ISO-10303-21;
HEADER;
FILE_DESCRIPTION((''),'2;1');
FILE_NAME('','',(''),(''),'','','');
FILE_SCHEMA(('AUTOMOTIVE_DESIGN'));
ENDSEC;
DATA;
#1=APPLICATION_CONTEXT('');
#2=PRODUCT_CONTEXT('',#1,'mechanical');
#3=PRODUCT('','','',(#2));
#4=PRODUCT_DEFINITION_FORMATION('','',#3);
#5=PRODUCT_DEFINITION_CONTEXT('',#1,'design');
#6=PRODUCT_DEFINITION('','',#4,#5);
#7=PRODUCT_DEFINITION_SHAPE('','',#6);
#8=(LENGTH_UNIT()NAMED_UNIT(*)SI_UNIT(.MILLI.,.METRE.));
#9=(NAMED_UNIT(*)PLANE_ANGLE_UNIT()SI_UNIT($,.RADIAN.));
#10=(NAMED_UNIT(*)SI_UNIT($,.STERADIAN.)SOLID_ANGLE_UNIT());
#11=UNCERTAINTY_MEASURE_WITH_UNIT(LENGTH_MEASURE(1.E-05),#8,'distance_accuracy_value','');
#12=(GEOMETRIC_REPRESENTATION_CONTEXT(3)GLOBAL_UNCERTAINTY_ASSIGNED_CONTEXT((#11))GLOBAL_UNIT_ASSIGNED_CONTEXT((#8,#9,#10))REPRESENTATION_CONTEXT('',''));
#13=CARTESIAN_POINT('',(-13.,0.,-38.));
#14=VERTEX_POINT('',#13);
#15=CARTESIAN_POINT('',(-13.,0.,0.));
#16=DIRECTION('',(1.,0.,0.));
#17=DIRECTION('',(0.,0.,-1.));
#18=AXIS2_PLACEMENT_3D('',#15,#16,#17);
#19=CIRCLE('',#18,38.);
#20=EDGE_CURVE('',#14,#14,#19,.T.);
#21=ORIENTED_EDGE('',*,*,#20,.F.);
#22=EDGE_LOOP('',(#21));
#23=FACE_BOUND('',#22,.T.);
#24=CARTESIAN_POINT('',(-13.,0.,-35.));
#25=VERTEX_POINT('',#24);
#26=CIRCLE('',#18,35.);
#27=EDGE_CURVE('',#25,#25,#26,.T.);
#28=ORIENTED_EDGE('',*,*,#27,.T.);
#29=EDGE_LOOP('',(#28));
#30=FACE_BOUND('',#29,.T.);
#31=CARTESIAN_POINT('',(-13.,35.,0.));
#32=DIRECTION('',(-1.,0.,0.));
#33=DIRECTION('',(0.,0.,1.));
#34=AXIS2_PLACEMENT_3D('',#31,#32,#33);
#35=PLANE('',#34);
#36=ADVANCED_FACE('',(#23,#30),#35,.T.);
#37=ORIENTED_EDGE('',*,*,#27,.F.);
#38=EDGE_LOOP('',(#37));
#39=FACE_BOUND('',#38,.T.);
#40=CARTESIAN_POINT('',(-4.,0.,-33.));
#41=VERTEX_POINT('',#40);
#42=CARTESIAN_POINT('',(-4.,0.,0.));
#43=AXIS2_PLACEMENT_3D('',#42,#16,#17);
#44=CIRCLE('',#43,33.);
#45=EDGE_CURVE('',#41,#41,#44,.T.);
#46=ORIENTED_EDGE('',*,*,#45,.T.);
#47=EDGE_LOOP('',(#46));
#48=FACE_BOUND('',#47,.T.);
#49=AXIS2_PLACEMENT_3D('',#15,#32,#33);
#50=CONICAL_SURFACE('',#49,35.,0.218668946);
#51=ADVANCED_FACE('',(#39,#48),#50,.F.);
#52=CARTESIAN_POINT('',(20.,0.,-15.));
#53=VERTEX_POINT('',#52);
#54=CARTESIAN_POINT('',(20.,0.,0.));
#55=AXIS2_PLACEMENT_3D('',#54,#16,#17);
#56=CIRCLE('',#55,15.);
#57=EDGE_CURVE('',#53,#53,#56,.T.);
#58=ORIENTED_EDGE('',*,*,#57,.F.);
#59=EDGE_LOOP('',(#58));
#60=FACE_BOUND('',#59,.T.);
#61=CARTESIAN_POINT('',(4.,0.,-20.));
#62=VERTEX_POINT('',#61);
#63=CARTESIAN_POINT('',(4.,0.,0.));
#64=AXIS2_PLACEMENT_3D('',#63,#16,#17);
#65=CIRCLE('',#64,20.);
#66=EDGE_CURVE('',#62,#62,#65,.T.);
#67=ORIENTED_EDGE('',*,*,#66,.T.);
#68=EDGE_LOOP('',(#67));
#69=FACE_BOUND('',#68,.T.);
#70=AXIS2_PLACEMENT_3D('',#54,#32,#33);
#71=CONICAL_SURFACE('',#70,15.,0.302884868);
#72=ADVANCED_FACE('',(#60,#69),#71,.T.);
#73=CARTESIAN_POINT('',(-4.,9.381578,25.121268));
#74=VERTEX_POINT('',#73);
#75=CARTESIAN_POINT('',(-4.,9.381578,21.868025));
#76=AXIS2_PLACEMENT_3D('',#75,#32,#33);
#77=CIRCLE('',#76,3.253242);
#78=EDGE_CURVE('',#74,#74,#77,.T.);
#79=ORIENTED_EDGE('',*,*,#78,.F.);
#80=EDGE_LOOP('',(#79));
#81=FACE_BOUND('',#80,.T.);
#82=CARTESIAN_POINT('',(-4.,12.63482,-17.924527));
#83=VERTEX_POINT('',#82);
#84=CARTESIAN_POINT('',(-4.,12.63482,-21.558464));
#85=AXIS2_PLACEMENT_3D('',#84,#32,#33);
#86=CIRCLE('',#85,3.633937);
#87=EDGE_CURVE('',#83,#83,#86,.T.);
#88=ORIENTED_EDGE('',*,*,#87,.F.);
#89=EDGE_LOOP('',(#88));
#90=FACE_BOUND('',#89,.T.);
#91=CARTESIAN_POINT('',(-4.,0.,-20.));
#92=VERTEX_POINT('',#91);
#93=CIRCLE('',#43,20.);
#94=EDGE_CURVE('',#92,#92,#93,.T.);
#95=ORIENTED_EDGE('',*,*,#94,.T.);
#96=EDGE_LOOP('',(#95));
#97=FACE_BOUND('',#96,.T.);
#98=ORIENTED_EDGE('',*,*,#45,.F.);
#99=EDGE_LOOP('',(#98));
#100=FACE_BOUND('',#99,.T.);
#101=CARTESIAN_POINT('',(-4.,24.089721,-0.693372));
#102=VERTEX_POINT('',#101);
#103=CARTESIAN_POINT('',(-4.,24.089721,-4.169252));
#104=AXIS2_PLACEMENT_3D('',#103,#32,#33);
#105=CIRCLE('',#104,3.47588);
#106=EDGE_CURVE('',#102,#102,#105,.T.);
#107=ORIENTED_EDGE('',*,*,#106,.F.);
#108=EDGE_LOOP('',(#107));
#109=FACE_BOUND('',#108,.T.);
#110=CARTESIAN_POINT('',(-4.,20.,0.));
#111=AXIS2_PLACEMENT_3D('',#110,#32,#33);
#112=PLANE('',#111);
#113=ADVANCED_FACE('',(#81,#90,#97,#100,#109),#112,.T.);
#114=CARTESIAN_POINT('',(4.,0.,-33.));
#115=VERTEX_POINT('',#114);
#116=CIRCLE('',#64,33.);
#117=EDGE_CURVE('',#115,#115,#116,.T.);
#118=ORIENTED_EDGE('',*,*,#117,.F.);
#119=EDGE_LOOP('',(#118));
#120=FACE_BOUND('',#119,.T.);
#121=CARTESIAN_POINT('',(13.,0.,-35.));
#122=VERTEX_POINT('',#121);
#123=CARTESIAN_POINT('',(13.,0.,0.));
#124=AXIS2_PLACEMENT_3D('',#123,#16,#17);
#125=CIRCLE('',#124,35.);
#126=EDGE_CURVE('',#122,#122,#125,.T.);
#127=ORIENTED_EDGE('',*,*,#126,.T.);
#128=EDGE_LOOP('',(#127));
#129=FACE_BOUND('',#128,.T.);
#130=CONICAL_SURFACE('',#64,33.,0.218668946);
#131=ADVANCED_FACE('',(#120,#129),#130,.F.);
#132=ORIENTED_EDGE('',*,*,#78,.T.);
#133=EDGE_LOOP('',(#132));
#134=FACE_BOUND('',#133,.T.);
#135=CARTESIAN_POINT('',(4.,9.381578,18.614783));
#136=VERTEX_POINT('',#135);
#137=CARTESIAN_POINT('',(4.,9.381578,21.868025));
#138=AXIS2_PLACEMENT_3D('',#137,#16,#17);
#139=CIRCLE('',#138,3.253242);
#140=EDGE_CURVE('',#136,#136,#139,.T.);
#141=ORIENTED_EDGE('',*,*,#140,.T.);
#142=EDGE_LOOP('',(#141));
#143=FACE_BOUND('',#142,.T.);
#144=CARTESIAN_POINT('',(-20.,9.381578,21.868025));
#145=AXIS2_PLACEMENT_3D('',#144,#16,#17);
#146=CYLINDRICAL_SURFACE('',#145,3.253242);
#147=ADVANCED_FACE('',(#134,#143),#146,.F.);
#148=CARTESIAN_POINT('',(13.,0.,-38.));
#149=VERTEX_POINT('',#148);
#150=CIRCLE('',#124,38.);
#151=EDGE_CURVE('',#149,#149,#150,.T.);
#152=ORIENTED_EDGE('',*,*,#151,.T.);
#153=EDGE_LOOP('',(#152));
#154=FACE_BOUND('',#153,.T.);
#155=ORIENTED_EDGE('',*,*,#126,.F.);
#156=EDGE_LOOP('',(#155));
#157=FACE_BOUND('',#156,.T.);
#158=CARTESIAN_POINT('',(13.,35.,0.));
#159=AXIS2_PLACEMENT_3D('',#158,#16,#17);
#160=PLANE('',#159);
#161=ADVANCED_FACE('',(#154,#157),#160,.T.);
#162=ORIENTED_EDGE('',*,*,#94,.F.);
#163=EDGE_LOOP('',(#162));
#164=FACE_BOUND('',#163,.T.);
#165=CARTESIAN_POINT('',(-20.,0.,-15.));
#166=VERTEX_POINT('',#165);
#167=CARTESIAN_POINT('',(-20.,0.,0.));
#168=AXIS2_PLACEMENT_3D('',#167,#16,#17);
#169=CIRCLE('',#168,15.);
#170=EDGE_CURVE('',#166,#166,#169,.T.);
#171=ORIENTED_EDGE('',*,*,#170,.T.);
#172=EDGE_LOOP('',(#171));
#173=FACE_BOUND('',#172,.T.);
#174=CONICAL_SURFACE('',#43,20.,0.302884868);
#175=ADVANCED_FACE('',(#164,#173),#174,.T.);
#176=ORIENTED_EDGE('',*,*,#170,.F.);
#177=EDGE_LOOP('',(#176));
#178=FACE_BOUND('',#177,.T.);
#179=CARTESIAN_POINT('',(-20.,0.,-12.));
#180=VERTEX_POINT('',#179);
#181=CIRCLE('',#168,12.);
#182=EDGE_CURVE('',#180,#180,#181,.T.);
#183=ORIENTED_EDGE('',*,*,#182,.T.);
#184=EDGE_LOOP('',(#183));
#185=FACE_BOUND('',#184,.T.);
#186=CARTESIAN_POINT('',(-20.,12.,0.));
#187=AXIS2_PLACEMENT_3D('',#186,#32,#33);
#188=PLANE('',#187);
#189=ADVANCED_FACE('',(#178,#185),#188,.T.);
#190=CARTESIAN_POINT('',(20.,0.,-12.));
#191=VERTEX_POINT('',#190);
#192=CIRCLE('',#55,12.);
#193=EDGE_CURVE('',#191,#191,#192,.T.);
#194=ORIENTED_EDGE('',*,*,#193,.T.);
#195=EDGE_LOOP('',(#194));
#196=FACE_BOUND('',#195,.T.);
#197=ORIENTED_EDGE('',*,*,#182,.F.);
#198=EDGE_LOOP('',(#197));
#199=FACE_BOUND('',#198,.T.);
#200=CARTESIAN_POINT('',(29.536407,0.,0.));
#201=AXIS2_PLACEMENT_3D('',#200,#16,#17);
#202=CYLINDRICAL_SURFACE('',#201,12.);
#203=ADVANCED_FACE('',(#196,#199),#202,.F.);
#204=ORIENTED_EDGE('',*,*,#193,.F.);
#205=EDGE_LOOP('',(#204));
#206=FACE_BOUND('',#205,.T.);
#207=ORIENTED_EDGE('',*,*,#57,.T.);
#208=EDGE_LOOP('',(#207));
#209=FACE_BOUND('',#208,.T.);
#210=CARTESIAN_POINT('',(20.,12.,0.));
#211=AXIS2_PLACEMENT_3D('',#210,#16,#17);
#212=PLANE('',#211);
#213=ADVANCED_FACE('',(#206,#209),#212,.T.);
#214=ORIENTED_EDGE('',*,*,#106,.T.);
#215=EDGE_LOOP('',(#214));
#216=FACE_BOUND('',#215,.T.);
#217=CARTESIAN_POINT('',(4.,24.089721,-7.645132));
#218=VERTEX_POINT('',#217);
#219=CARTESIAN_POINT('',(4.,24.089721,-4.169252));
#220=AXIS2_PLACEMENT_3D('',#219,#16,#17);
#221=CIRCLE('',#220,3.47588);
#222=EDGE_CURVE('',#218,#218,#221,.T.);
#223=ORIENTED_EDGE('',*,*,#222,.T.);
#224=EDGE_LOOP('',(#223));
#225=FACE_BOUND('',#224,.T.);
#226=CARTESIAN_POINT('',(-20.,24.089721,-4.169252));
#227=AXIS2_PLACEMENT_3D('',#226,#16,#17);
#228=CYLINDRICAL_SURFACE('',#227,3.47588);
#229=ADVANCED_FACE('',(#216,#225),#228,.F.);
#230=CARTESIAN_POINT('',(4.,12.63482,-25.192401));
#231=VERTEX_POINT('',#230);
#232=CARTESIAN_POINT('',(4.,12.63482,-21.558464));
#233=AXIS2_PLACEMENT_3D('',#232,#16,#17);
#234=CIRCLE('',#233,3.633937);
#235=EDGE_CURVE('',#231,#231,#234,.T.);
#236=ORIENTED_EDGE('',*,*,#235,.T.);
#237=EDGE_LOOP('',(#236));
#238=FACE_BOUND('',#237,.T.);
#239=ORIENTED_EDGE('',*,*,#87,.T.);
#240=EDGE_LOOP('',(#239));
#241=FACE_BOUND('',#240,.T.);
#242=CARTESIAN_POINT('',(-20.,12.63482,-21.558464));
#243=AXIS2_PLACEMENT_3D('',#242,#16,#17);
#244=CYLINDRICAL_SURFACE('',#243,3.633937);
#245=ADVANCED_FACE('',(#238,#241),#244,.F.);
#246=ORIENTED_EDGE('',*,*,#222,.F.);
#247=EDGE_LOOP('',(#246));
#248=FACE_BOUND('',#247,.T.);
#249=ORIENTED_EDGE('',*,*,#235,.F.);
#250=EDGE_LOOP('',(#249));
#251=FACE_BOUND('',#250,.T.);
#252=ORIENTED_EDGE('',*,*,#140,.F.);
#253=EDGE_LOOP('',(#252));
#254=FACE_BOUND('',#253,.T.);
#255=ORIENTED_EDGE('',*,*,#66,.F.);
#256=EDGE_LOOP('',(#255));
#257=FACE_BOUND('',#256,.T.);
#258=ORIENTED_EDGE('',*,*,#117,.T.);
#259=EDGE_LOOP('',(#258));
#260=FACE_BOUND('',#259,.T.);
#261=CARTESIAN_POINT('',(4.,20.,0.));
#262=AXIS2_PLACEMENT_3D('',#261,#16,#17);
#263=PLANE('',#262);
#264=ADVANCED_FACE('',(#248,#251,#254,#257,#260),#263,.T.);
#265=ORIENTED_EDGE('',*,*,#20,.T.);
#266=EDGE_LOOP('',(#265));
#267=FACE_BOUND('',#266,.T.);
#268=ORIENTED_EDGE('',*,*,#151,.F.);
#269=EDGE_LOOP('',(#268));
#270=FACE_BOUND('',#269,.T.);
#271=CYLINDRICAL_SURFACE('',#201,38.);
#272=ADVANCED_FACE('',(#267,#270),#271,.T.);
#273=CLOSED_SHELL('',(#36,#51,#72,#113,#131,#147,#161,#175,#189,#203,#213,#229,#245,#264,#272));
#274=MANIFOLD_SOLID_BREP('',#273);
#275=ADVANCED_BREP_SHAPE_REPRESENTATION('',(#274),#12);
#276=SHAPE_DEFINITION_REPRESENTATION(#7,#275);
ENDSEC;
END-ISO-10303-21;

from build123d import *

# Parameters (mm, degrees)
CUT_EXTRUDE1_DEPTH      = 59.855755878
CUT_EXTRUDE1_DEPTH_BACK = 59.855755878
SKETCH2_R               = 3.253242351
SKETCH2_R_2             = 3.475880092
SKETCH2_R_3             = 3.633937036


with BuildPart() as part:
    # Sketch1 → Revolve2 (revolve)
    with BuildSketch(Plane.XY, mode=Mode.PRIVATE) as revolve2_sk:
        Polygon((20, 12), (20, 15), (4, 20), (4, 33), (13, 35), (13, 38), (-13, 38), (-13, 35), (-4, 33), (-4, 20), (-20, 15), (-20, 12), align=None)
    revolve(revolve2_sk.sketch.rotate(Axis((29.536406987, 0, 0), (-1, 0, 0)), 90), axis=Axis((29.536406987, 0, 0), (-1, 0, 0)))

    # Sketch2 → Cut-Extrude1 (cut, two sides: drawn at the far end of the back side and taken through both)
    with BuildSketch(Plane(origin=(4, 0, 0), x_dir=(0, 0, -1), z_dir=(1, 0, 0)).offset(-CUT_EXTRUDE1_DEPTH_BACK)):
        with Locations((-21.868025182, 9.381578111)):
            Circle(SKETCH2_R)
        with Locations((4.169252075, 24.089721188)):
            Circle(SKETCH2_R_2)
        with Locations((21.558463792, 12.634820462)):
            Circle(SKETCH2_R_3)
    extrude(amount=CUT_EXTRUDE1_DEPTH + CUT_EXTRUDE1_DEPTH_BACK, mode=Mode.SUBTRACT)


solid = part.part
